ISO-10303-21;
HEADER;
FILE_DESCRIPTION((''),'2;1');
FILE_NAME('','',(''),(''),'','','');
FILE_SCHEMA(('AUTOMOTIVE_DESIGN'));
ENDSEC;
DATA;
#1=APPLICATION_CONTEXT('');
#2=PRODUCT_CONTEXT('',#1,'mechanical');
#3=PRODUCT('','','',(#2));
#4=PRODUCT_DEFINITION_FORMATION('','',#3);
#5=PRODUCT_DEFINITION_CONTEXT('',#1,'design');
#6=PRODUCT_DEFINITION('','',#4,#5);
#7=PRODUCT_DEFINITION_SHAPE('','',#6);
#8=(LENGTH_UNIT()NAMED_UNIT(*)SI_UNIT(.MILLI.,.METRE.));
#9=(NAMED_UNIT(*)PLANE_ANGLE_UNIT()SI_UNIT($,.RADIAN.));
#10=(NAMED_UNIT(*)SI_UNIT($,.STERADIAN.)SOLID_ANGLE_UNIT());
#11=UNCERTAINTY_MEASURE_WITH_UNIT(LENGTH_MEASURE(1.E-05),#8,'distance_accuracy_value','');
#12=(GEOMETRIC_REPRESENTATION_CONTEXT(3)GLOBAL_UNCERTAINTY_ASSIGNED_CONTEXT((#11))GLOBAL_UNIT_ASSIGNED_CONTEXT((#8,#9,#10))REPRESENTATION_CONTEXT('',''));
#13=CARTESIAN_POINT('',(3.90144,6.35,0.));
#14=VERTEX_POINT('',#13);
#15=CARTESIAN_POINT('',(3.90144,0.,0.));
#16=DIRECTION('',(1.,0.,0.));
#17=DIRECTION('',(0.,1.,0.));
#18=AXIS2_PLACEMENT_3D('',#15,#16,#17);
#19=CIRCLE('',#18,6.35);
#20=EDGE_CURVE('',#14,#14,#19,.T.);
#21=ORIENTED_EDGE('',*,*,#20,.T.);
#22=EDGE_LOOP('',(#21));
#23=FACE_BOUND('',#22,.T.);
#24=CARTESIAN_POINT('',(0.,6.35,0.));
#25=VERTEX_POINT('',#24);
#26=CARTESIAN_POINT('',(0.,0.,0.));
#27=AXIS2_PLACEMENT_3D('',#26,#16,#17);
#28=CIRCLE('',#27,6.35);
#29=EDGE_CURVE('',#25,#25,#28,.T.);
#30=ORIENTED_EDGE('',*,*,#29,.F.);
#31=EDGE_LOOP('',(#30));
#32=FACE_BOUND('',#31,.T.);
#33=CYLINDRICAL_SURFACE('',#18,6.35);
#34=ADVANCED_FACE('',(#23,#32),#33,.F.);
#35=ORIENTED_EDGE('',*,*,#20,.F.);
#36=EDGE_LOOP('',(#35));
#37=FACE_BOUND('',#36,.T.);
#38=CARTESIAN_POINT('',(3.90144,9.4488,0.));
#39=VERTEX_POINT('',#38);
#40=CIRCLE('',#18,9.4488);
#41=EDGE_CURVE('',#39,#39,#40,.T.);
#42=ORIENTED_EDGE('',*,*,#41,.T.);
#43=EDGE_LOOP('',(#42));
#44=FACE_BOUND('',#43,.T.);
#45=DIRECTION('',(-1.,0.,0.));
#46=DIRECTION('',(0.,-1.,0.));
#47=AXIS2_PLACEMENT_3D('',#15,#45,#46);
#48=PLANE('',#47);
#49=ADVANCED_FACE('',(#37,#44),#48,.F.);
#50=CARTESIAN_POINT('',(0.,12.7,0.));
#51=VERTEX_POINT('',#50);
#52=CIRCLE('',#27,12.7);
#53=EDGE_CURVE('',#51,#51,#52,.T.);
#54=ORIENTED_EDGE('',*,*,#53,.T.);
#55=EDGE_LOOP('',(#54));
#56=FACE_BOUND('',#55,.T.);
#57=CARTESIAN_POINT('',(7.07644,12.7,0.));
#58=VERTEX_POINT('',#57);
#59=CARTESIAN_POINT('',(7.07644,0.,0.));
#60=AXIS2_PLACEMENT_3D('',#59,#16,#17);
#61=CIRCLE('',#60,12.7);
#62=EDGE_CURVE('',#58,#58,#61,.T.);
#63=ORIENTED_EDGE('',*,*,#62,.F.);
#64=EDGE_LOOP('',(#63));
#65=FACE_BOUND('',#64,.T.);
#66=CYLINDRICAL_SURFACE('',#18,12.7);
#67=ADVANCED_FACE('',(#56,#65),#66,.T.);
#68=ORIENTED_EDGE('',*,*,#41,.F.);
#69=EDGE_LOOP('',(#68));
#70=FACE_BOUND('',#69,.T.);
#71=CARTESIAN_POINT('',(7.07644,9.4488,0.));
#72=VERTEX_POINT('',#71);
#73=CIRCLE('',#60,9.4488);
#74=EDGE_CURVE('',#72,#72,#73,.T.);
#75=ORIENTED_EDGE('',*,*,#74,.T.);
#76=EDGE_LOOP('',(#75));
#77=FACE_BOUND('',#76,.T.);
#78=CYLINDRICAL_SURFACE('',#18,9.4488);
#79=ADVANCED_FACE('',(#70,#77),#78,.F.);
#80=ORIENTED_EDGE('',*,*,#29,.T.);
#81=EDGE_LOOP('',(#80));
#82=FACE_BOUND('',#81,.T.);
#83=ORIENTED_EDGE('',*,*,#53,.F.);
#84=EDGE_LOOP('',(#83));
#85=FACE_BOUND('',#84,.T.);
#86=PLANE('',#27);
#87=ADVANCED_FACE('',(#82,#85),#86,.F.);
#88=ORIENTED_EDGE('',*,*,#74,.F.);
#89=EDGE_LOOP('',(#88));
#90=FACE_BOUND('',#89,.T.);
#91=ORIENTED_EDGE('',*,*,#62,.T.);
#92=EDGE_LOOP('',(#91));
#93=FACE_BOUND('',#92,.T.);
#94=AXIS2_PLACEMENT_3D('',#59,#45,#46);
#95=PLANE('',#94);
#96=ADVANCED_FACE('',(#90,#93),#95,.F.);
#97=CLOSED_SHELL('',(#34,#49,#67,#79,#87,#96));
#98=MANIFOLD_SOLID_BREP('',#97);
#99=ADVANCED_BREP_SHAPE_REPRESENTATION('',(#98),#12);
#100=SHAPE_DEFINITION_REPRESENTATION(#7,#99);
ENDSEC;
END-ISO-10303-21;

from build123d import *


with BuildPart() as part:
    # Sketch1 → Revolve1 (revolve)
    with BuildSketch(Plane.XY):
        Polygon((0, 9.4488), (0, 6.35), (3.90144, 6.35), (3.90144, 9.4488), (7.07644, 9.4488), (7.07644, 12.7), (0, 12.7), align=None)
    revolve(axis=Axis((3.90144, 0, 0), (-1, 0, 0)))


solid = part.part
